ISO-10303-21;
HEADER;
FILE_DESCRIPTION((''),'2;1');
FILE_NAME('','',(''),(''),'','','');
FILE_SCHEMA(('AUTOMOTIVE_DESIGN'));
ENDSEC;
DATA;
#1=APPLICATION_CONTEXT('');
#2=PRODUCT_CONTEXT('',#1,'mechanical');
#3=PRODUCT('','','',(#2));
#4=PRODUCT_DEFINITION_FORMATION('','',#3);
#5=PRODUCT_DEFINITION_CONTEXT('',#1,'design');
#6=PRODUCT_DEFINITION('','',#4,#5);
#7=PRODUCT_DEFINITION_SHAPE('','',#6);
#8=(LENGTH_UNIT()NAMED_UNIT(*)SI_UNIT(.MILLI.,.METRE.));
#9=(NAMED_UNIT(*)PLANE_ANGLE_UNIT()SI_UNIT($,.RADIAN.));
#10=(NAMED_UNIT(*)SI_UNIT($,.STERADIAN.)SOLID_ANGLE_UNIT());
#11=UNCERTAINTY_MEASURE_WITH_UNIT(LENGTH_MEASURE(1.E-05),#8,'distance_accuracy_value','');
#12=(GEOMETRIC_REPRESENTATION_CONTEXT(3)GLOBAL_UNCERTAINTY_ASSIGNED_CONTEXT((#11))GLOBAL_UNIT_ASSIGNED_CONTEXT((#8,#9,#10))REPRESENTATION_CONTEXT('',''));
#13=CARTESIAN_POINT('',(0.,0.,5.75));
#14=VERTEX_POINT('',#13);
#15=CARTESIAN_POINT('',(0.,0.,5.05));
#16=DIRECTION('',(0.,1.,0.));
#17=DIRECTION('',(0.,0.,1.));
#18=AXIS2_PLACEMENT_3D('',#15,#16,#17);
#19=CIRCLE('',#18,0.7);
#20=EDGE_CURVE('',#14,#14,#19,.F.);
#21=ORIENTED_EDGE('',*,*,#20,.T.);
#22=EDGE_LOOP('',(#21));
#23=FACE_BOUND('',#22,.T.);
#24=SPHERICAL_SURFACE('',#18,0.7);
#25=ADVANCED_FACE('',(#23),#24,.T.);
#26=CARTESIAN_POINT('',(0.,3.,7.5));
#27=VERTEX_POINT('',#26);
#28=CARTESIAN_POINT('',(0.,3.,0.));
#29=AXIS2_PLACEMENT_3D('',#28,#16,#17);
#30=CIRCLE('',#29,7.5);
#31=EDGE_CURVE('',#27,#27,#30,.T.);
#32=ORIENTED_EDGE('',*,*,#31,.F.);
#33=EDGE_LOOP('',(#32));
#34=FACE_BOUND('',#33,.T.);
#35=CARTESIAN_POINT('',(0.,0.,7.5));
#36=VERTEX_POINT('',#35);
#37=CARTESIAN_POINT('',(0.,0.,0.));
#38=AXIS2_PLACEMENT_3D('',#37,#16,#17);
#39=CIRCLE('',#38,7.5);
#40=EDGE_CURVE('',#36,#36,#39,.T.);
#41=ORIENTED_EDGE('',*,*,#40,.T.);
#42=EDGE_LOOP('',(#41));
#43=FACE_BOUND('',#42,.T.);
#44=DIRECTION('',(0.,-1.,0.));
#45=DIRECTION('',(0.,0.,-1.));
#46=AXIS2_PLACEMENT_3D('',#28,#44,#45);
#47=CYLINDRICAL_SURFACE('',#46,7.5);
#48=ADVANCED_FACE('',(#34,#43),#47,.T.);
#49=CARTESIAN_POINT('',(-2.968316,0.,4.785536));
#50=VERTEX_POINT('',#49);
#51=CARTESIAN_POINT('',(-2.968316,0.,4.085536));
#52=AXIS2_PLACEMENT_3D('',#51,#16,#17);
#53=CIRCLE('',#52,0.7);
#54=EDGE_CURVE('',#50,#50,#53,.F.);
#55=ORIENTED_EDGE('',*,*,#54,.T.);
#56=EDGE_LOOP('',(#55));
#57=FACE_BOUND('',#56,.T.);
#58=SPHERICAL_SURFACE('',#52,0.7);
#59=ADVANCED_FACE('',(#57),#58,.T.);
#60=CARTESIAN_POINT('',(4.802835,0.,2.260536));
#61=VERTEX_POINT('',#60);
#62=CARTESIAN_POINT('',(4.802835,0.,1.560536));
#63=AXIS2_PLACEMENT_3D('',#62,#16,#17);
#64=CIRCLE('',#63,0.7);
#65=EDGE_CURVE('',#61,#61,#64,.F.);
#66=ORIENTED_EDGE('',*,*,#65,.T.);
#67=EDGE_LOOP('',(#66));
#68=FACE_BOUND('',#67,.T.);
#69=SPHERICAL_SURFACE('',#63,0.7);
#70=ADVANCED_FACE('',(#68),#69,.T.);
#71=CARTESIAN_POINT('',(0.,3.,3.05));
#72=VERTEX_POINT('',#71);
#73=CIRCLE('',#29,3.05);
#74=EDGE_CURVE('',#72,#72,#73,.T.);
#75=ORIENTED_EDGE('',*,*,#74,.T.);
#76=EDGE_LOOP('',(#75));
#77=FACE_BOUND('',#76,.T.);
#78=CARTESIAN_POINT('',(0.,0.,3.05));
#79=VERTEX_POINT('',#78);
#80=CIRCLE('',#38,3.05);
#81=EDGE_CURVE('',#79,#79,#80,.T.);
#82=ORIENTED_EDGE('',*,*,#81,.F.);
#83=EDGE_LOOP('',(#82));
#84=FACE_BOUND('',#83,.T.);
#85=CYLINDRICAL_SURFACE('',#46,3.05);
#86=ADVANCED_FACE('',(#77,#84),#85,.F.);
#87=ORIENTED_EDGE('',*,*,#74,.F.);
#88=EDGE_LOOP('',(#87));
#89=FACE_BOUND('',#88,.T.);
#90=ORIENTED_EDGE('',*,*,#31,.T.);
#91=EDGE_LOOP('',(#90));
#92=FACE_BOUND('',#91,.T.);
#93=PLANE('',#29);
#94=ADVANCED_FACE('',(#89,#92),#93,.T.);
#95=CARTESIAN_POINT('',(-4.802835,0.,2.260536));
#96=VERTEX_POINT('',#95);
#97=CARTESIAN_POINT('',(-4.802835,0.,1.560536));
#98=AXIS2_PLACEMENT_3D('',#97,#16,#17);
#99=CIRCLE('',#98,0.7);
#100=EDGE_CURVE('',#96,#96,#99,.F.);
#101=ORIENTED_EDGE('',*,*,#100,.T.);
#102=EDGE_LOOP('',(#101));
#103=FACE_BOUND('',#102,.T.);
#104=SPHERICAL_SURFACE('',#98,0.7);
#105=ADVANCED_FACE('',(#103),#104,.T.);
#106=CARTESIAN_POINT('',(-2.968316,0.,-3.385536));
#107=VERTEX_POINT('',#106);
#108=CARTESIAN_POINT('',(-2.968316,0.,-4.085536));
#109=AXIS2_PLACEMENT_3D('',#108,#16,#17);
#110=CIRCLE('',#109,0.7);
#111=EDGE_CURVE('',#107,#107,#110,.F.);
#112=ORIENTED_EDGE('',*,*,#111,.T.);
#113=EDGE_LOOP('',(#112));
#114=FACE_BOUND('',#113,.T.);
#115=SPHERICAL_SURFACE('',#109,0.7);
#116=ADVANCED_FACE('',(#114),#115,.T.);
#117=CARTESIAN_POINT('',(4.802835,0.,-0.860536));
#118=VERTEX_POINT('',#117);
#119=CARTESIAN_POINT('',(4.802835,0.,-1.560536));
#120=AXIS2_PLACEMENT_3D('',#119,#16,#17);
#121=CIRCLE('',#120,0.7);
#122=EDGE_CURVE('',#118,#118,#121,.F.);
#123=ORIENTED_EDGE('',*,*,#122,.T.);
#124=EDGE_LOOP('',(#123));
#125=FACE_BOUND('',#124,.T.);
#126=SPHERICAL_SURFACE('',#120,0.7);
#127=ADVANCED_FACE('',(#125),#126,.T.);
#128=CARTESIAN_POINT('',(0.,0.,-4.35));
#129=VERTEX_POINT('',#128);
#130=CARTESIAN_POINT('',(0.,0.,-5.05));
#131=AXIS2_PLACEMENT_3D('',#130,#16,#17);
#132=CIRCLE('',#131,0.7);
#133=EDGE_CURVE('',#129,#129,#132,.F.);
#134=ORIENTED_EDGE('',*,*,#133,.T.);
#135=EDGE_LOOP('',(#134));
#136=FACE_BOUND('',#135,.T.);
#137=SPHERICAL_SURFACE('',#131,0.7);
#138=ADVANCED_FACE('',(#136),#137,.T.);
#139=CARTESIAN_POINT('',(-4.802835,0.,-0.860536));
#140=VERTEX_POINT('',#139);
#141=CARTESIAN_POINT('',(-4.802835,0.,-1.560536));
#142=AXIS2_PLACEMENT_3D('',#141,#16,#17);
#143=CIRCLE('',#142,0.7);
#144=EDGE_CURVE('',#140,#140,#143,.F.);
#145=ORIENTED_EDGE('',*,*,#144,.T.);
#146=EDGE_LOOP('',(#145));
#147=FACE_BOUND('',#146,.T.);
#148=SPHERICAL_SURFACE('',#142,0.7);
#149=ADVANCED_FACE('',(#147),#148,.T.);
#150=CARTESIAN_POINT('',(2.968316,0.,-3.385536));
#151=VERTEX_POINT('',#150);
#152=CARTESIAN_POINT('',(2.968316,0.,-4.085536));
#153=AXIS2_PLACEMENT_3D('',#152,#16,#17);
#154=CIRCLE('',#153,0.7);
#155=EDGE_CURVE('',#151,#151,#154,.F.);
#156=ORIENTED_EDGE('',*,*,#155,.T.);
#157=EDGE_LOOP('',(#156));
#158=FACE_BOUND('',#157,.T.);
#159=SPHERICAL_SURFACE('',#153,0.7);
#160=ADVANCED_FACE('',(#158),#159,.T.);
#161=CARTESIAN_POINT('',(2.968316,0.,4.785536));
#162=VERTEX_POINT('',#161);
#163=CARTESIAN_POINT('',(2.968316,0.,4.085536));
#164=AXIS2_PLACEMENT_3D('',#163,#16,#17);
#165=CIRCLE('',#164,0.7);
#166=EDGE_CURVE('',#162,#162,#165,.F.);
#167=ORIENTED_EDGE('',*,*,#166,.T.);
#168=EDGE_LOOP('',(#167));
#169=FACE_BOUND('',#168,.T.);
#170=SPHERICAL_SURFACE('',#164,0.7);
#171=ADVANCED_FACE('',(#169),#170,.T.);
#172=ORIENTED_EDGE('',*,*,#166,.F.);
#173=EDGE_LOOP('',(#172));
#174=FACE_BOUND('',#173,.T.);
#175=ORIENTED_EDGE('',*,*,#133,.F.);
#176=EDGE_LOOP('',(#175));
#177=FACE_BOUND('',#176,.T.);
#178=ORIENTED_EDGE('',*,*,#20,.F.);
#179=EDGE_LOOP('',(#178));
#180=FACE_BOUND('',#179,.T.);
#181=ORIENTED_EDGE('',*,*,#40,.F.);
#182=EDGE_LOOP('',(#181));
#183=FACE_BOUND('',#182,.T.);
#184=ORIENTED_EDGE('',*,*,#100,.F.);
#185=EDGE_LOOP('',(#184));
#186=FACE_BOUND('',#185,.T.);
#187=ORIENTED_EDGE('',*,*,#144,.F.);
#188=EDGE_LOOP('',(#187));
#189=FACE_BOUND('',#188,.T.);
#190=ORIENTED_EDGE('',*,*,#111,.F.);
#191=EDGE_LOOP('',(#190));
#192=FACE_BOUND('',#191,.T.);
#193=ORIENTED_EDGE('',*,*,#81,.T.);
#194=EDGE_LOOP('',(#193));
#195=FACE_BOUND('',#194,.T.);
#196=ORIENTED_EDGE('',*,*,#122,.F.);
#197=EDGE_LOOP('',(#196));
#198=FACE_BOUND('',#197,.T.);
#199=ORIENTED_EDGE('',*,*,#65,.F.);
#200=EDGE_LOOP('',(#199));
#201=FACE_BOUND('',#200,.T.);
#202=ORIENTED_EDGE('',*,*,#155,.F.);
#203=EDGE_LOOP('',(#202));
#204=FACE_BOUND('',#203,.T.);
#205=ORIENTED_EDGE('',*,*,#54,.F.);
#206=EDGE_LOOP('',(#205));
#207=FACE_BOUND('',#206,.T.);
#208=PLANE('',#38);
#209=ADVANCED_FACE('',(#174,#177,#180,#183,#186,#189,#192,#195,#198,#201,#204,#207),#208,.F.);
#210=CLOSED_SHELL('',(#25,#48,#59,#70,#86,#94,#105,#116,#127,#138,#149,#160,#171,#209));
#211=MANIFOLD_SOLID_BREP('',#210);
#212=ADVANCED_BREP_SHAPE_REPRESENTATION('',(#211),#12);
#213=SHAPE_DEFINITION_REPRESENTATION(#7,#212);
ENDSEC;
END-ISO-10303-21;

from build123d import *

# Parameters (mm, degrees)
SKETCH1_R           = 7.5
SKETCH1_R_2         = 3.05
BOSS_EXTRUDE1_DEPTH = 3
CIRPATTERN1_COUNT   = 10


with BuildPart() as part:
    # Sketch1 → Boss-Extrude1 (new body)
    with BuildSketch(Plane(origin=(0, 0, 0), x_dir=(1, 0, 0), z_dir=(0, 1, 0))):
        Circle(SKETCH1_R)
        Circle(SKETCH1_R_2, mode=Mode.SUBTRACT)
    extrude(amount=BOSS_EXTRUDE1_DEPTH)

    # Sketch3 → Revolve2 (revolve)
    with BuildSketch(Plane(origin=(0, 0, 0), x_dir=(0, 0, -1), z_dir=(1, 0, 0))):
        with BuildLine():
            Line((4.35, 0), (5.75, 0))
            ThreePointArc((5.75, 0), (5.05, -0.7), (4.35, 0))
        make_face()
    revolve2 = revolve(axis=Axis((0, 0, -8.25), (0, 0, 1)))

    # CirPattern1: Revolve2 ×10 about axis
    cirpattern1_axis = Axis((0, -0.885, 0), (0, 1, 0))
    for i in range(1, CIRPATTERN1_COUNT):
        add(revolve2.rotate(cirpattern1_axis, i * 360 / CIRPATTERN1_COUNT))


solid = part.part
